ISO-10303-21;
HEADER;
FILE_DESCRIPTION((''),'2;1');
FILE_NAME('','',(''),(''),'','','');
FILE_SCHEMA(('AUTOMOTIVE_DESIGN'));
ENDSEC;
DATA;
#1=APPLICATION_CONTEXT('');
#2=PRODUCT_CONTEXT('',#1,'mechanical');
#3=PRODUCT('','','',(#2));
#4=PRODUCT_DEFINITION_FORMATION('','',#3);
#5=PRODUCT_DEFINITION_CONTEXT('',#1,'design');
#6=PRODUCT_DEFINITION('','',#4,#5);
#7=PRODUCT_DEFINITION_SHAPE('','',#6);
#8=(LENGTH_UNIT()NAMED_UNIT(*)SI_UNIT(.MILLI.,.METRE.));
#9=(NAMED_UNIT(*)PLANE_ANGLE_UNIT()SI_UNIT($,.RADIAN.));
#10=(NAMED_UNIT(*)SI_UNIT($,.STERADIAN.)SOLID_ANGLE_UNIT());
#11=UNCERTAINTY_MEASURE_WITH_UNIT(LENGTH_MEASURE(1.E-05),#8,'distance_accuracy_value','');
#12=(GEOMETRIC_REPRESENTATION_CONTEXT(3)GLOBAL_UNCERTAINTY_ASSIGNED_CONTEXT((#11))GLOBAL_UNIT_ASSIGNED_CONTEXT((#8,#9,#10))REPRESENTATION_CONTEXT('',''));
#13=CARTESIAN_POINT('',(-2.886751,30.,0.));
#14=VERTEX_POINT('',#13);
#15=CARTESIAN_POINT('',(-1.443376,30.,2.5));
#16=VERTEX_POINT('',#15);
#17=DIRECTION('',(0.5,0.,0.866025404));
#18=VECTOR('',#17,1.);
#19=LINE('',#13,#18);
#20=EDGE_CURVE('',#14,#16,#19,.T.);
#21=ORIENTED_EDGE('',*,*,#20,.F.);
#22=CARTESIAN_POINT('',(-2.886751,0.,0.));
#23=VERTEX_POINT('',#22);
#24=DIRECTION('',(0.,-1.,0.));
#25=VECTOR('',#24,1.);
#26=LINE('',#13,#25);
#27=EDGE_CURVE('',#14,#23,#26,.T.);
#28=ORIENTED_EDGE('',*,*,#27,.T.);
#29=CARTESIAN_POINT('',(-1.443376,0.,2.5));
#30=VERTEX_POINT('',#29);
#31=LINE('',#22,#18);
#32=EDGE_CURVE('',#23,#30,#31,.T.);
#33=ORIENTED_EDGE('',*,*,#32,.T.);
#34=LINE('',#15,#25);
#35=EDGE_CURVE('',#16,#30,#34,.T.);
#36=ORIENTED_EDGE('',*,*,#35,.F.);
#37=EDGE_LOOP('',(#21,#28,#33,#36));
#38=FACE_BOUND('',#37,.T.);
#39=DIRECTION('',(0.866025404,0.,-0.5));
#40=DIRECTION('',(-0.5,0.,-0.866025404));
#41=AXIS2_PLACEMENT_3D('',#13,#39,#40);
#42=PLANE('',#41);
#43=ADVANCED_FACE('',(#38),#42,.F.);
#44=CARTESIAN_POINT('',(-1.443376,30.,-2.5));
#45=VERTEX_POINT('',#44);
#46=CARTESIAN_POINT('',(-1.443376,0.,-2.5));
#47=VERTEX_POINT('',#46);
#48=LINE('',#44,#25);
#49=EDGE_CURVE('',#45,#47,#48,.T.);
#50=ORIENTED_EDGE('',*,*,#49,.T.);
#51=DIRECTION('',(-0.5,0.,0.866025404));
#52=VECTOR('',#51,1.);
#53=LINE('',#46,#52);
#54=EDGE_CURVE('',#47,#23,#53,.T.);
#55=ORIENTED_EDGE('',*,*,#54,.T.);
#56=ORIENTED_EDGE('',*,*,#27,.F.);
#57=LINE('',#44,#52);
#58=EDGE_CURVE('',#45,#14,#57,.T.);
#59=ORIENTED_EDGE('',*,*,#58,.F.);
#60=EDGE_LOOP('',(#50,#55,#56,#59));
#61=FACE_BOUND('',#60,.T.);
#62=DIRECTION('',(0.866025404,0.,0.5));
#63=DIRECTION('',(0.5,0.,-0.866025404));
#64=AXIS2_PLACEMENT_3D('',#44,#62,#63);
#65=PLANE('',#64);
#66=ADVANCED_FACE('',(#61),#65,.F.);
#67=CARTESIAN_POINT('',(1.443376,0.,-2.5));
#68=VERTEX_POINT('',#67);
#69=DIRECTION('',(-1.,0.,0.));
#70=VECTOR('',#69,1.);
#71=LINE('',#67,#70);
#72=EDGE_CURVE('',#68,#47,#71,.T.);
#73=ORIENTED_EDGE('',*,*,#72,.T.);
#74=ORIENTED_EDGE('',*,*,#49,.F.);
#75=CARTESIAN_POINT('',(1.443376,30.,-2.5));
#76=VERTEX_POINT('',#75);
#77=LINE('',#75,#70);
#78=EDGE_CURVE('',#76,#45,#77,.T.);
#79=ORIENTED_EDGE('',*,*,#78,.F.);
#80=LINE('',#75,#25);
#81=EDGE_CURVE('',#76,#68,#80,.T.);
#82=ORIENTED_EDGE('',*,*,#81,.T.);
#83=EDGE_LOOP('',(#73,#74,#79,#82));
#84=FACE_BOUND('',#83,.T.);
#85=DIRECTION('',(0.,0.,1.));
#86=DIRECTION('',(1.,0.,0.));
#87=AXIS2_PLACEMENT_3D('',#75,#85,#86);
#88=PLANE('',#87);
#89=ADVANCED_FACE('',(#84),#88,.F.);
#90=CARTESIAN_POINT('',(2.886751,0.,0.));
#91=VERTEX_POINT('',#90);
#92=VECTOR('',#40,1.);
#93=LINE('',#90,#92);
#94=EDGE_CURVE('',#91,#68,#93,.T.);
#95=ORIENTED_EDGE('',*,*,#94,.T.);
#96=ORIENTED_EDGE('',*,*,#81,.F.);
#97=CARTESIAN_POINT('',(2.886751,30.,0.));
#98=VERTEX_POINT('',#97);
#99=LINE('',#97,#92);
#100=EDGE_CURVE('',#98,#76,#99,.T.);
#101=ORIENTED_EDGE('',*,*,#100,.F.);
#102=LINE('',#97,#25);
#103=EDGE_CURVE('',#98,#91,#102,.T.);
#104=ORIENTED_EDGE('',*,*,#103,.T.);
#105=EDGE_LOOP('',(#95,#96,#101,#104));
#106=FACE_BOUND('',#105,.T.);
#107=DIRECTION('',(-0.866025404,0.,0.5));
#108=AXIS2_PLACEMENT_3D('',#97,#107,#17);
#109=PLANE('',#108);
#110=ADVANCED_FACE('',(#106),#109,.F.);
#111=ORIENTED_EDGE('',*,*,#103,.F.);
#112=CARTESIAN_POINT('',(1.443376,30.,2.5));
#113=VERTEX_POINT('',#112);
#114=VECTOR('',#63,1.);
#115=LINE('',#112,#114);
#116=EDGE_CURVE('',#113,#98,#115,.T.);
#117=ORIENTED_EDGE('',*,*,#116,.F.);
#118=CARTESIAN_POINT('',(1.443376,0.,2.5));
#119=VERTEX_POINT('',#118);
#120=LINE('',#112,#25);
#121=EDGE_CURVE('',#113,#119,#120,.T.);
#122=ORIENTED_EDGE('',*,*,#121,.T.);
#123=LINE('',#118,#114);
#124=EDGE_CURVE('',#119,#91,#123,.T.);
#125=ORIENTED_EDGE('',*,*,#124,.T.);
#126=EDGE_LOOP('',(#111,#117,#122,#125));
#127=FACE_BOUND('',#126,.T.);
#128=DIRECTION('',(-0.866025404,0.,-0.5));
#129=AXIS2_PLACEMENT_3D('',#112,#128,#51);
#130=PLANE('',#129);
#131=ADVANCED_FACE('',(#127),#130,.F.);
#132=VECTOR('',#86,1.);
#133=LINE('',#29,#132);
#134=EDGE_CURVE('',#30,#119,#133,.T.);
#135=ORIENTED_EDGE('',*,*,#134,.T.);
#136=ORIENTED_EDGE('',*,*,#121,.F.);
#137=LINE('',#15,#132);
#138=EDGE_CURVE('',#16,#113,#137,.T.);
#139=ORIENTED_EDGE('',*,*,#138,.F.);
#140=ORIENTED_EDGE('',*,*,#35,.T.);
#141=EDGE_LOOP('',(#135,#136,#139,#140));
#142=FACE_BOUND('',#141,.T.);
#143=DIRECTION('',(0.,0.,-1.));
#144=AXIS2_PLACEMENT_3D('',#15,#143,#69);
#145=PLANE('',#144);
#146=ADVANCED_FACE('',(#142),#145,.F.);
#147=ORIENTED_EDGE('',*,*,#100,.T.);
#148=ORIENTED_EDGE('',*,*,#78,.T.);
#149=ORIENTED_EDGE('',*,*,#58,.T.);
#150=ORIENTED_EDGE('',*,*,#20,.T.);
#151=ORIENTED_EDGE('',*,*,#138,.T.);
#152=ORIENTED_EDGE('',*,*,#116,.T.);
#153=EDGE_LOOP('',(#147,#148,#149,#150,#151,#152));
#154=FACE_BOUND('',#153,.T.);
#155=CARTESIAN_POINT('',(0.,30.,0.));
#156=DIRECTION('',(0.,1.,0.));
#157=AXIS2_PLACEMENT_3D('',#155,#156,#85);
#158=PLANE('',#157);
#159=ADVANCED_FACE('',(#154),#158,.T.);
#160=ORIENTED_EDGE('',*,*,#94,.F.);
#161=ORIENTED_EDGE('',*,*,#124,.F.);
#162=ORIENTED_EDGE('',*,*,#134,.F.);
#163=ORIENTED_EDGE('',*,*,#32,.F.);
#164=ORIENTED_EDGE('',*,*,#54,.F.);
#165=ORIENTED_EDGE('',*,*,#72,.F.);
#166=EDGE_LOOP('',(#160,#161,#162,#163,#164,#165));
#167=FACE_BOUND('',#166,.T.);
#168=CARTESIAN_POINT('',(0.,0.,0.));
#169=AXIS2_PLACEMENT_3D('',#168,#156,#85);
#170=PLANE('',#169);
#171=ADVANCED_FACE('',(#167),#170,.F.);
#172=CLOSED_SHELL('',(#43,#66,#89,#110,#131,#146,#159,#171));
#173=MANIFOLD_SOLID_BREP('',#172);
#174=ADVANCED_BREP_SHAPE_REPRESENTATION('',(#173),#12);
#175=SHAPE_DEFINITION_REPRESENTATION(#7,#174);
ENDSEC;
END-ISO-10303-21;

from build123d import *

# Parameters (mm, degrees)
BOSS_EXTRUDE1_DEPTH = 30


with BuildPart() as part:
    # Sketch1 → Boss-Extrude1 (new body)
    with BuildSketch(Plane(origin=(0, 0, 0), x_dir=(1, 0, 0), z_dir=(0, 1, 0))):
        Polygon((2.886751346, 0), (1.443375673, 2.5), (-1.443375673, 2.5), (-2.886751346, 0), (-1.443375673, -2.5), (1.443375673, -2.5), align=None)
    extrude(amount=BOSS_EXTRUDE1_DEPTH)


solid = part.part
